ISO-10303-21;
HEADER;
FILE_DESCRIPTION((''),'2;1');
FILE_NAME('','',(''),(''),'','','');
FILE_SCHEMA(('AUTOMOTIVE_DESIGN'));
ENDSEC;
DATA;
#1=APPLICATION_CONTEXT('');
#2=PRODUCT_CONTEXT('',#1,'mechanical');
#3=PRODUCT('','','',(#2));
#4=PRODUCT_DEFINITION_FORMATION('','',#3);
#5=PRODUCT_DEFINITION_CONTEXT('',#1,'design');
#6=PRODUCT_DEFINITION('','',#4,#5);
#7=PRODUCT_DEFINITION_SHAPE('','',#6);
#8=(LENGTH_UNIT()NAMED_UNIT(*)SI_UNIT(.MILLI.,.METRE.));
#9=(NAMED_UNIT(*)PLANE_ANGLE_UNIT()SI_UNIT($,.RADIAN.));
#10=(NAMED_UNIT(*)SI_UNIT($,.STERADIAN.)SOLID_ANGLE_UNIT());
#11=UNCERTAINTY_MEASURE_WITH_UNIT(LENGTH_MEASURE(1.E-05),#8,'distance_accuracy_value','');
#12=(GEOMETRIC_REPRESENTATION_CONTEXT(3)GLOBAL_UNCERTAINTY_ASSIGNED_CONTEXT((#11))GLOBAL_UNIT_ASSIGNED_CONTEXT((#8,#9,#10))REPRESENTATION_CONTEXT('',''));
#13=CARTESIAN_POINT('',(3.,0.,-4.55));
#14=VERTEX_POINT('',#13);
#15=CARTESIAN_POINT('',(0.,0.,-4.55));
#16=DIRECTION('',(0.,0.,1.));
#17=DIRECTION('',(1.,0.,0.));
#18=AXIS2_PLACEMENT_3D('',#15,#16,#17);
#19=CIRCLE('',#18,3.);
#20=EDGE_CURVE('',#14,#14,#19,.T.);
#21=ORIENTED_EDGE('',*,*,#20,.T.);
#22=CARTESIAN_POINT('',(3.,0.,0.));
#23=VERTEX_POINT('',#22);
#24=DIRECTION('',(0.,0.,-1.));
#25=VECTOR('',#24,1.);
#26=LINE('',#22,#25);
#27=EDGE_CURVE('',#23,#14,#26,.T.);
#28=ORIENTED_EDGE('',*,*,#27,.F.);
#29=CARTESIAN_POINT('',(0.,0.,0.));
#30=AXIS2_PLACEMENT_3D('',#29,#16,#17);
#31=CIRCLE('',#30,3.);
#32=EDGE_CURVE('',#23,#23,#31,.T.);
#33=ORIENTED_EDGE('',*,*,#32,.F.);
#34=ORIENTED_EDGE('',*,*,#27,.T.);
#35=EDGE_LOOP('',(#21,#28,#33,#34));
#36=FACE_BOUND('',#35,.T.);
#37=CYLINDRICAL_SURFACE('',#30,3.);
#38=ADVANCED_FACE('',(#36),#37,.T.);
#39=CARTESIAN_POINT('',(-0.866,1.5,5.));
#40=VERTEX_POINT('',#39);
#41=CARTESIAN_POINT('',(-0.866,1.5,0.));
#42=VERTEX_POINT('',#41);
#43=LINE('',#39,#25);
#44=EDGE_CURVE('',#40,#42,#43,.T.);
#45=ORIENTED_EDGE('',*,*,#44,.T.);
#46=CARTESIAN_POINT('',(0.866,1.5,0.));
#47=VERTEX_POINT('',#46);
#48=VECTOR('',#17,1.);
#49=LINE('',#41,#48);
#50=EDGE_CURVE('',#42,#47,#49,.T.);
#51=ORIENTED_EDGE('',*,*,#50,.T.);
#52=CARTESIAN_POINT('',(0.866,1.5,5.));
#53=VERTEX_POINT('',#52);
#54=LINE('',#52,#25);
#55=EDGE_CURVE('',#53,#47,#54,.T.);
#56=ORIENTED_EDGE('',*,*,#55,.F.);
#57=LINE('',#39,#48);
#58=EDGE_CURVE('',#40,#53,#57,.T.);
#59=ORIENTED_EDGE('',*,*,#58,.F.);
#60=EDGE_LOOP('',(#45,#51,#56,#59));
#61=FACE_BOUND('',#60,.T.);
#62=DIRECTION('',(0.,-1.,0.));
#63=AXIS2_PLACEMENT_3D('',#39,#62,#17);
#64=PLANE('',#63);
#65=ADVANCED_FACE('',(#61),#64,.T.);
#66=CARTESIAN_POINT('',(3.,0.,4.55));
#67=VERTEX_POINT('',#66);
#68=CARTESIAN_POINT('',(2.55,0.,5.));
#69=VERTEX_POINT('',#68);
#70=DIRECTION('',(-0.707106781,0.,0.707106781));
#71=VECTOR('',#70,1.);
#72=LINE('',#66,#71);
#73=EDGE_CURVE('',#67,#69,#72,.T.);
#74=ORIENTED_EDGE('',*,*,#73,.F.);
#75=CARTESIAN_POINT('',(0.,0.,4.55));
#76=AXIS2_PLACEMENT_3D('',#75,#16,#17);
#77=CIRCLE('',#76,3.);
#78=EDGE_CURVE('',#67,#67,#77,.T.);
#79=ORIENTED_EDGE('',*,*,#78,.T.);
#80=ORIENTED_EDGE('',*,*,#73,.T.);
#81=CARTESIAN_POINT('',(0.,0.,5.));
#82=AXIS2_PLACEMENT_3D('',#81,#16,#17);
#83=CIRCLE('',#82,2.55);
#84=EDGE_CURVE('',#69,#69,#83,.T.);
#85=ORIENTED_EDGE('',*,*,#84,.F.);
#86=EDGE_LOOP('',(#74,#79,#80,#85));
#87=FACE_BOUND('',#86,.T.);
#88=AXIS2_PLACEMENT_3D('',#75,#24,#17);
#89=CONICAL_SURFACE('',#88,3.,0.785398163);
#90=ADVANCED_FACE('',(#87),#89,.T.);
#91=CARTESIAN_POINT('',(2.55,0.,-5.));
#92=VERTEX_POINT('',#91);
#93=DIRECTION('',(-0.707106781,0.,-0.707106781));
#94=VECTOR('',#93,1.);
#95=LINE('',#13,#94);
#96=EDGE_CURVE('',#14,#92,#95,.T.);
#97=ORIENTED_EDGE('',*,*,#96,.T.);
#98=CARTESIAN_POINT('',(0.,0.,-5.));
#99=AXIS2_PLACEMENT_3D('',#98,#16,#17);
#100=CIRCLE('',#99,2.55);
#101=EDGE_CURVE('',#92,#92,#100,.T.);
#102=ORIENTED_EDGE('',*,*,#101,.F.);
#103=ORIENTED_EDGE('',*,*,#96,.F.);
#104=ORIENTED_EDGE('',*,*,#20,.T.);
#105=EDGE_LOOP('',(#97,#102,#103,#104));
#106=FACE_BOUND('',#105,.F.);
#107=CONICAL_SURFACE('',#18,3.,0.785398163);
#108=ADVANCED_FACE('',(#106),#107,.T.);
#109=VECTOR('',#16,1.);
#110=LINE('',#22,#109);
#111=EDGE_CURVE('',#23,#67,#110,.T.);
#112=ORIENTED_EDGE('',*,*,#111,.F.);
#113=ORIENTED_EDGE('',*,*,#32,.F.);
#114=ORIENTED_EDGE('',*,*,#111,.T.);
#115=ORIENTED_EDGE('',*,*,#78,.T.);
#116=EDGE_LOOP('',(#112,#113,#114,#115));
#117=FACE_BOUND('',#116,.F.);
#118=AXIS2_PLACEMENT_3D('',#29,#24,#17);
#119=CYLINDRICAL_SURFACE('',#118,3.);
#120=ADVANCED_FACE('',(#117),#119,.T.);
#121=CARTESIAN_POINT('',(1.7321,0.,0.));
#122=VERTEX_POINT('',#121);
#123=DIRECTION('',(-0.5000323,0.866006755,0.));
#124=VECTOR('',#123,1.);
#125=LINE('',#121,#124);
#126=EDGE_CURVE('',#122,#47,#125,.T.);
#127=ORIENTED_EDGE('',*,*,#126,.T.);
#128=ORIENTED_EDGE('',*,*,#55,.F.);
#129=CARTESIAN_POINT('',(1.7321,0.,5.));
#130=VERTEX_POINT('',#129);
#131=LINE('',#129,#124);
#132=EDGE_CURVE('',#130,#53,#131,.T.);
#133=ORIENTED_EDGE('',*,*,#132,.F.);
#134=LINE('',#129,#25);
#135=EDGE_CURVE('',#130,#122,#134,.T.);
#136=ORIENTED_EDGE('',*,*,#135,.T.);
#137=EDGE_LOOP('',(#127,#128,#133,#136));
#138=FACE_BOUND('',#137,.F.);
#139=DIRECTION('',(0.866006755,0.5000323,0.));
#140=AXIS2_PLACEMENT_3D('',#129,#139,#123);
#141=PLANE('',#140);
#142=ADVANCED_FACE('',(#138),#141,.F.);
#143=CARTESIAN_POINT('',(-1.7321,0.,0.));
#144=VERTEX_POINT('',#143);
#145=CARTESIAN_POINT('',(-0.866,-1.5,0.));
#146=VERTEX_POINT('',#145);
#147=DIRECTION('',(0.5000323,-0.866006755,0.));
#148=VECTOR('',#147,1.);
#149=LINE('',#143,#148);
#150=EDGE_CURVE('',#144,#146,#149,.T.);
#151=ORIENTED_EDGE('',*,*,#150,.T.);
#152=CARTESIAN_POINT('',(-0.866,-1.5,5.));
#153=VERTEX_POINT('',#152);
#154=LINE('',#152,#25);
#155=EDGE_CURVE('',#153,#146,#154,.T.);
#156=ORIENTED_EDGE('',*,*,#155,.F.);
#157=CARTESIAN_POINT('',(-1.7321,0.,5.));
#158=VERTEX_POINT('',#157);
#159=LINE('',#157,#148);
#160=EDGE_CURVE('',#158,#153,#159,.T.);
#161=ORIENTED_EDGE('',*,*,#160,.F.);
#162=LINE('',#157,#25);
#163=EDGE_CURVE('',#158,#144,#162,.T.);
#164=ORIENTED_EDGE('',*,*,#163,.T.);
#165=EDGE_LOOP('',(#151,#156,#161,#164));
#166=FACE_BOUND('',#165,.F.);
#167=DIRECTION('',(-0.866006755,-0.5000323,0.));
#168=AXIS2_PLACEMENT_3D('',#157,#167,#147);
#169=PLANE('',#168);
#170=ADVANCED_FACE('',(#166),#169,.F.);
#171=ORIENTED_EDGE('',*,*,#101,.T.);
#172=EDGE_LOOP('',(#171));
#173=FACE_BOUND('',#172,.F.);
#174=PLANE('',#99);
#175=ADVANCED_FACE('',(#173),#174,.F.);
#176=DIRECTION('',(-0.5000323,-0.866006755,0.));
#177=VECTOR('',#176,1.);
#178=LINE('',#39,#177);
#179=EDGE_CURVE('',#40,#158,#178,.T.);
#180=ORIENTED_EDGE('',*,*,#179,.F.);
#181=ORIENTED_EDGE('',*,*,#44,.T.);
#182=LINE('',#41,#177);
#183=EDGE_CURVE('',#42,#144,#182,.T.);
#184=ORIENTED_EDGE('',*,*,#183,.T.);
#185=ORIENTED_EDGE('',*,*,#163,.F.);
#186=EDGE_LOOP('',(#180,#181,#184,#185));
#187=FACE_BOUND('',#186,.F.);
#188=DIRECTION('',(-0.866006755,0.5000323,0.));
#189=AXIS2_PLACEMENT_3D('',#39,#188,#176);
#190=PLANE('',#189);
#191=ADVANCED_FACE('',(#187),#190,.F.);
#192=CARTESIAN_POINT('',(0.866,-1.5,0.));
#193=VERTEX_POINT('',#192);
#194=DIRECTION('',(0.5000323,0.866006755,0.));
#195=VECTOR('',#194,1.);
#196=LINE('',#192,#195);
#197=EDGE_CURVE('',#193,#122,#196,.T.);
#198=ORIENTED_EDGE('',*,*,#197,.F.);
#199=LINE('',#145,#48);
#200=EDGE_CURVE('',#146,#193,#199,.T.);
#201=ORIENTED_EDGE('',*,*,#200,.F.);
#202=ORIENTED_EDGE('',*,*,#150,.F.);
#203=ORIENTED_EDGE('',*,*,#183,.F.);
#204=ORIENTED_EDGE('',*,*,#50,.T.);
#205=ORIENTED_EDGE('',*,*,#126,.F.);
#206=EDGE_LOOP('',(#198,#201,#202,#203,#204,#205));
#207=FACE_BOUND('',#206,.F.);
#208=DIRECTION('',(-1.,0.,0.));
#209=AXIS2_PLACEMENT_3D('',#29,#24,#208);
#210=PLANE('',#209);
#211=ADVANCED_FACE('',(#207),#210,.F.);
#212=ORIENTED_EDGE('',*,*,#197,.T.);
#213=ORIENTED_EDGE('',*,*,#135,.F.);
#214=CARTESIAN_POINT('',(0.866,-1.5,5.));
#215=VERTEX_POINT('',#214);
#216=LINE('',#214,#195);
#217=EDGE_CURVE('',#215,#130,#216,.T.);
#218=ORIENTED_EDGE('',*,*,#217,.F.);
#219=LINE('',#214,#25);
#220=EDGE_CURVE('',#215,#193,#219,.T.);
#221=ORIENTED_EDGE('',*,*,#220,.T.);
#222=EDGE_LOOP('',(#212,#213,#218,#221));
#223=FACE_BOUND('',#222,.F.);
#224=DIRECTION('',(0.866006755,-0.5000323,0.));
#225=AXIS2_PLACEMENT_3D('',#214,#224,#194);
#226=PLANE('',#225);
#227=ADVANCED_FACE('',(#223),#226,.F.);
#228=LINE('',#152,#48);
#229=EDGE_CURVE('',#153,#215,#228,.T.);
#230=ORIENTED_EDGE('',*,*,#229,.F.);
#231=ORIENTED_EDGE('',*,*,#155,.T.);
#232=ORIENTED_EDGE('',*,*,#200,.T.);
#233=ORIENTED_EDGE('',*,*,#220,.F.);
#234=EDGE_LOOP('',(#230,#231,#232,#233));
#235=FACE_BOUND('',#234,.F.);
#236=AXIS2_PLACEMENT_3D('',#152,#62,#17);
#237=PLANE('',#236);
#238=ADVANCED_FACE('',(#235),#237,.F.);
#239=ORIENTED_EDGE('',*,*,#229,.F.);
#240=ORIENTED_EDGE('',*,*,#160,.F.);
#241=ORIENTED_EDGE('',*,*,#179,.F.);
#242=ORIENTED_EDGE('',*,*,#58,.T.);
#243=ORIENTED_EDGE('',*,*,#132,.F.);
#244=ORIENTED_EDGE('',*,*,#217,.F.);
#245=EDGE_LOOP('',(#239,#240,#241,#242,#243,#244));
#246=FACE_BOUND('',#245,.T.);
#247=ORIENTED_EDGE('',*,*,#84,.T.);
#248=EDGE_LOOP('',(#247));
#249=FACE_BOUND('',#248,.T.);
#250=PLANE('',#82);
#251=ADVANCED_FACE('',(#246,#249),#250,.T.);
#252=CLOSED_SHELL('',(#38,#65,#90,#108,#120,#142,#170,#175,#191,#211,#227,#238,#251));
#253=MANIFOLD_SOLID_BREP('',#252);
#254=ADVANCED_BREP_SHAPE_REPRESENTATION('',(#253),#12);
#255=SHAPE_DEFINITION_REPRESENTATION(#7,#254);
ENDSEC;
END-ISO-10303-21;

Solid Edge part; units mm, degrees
sketch "Sketch1" plane through (0, 0, 0) normal (0, 0, 1) x (1, 0, 0)
  circle A0 centre (0, 0) radius 3
  dimension "D1" = 6
extrude "Protrusion1" add sketch "Sketch1" along normal mid plane 10
chamfer "Chamfer1" distance 0.45 angle 45 2 edges at (-3, 0, -5) (-3, 0, 5)
sketch "Sketch2" plane through (0, 0, 5) normal (0, 0, 1) x (1, 0, 0)
  line L0 (-0.866, 1.5) -> (0.866, 1.5)
  line L1 (1.7321, 0) -> (0.866, 1.5)
  line L2 (0.866, -1.5) -> (1.7321, 0)
  line L3 (-0.866, -1.5) -> (0.866, -1.5)
  line L4 (-1.7321, 0) -> (-0.866, -1.5)
  line L5 (-0.866, 1.5) -> (-1.7321, 0)
  dimension "D1" = 3
extrude "Cutout1" cut sketch "Sketch2" against normal blind 5
properties part number "24104724"
